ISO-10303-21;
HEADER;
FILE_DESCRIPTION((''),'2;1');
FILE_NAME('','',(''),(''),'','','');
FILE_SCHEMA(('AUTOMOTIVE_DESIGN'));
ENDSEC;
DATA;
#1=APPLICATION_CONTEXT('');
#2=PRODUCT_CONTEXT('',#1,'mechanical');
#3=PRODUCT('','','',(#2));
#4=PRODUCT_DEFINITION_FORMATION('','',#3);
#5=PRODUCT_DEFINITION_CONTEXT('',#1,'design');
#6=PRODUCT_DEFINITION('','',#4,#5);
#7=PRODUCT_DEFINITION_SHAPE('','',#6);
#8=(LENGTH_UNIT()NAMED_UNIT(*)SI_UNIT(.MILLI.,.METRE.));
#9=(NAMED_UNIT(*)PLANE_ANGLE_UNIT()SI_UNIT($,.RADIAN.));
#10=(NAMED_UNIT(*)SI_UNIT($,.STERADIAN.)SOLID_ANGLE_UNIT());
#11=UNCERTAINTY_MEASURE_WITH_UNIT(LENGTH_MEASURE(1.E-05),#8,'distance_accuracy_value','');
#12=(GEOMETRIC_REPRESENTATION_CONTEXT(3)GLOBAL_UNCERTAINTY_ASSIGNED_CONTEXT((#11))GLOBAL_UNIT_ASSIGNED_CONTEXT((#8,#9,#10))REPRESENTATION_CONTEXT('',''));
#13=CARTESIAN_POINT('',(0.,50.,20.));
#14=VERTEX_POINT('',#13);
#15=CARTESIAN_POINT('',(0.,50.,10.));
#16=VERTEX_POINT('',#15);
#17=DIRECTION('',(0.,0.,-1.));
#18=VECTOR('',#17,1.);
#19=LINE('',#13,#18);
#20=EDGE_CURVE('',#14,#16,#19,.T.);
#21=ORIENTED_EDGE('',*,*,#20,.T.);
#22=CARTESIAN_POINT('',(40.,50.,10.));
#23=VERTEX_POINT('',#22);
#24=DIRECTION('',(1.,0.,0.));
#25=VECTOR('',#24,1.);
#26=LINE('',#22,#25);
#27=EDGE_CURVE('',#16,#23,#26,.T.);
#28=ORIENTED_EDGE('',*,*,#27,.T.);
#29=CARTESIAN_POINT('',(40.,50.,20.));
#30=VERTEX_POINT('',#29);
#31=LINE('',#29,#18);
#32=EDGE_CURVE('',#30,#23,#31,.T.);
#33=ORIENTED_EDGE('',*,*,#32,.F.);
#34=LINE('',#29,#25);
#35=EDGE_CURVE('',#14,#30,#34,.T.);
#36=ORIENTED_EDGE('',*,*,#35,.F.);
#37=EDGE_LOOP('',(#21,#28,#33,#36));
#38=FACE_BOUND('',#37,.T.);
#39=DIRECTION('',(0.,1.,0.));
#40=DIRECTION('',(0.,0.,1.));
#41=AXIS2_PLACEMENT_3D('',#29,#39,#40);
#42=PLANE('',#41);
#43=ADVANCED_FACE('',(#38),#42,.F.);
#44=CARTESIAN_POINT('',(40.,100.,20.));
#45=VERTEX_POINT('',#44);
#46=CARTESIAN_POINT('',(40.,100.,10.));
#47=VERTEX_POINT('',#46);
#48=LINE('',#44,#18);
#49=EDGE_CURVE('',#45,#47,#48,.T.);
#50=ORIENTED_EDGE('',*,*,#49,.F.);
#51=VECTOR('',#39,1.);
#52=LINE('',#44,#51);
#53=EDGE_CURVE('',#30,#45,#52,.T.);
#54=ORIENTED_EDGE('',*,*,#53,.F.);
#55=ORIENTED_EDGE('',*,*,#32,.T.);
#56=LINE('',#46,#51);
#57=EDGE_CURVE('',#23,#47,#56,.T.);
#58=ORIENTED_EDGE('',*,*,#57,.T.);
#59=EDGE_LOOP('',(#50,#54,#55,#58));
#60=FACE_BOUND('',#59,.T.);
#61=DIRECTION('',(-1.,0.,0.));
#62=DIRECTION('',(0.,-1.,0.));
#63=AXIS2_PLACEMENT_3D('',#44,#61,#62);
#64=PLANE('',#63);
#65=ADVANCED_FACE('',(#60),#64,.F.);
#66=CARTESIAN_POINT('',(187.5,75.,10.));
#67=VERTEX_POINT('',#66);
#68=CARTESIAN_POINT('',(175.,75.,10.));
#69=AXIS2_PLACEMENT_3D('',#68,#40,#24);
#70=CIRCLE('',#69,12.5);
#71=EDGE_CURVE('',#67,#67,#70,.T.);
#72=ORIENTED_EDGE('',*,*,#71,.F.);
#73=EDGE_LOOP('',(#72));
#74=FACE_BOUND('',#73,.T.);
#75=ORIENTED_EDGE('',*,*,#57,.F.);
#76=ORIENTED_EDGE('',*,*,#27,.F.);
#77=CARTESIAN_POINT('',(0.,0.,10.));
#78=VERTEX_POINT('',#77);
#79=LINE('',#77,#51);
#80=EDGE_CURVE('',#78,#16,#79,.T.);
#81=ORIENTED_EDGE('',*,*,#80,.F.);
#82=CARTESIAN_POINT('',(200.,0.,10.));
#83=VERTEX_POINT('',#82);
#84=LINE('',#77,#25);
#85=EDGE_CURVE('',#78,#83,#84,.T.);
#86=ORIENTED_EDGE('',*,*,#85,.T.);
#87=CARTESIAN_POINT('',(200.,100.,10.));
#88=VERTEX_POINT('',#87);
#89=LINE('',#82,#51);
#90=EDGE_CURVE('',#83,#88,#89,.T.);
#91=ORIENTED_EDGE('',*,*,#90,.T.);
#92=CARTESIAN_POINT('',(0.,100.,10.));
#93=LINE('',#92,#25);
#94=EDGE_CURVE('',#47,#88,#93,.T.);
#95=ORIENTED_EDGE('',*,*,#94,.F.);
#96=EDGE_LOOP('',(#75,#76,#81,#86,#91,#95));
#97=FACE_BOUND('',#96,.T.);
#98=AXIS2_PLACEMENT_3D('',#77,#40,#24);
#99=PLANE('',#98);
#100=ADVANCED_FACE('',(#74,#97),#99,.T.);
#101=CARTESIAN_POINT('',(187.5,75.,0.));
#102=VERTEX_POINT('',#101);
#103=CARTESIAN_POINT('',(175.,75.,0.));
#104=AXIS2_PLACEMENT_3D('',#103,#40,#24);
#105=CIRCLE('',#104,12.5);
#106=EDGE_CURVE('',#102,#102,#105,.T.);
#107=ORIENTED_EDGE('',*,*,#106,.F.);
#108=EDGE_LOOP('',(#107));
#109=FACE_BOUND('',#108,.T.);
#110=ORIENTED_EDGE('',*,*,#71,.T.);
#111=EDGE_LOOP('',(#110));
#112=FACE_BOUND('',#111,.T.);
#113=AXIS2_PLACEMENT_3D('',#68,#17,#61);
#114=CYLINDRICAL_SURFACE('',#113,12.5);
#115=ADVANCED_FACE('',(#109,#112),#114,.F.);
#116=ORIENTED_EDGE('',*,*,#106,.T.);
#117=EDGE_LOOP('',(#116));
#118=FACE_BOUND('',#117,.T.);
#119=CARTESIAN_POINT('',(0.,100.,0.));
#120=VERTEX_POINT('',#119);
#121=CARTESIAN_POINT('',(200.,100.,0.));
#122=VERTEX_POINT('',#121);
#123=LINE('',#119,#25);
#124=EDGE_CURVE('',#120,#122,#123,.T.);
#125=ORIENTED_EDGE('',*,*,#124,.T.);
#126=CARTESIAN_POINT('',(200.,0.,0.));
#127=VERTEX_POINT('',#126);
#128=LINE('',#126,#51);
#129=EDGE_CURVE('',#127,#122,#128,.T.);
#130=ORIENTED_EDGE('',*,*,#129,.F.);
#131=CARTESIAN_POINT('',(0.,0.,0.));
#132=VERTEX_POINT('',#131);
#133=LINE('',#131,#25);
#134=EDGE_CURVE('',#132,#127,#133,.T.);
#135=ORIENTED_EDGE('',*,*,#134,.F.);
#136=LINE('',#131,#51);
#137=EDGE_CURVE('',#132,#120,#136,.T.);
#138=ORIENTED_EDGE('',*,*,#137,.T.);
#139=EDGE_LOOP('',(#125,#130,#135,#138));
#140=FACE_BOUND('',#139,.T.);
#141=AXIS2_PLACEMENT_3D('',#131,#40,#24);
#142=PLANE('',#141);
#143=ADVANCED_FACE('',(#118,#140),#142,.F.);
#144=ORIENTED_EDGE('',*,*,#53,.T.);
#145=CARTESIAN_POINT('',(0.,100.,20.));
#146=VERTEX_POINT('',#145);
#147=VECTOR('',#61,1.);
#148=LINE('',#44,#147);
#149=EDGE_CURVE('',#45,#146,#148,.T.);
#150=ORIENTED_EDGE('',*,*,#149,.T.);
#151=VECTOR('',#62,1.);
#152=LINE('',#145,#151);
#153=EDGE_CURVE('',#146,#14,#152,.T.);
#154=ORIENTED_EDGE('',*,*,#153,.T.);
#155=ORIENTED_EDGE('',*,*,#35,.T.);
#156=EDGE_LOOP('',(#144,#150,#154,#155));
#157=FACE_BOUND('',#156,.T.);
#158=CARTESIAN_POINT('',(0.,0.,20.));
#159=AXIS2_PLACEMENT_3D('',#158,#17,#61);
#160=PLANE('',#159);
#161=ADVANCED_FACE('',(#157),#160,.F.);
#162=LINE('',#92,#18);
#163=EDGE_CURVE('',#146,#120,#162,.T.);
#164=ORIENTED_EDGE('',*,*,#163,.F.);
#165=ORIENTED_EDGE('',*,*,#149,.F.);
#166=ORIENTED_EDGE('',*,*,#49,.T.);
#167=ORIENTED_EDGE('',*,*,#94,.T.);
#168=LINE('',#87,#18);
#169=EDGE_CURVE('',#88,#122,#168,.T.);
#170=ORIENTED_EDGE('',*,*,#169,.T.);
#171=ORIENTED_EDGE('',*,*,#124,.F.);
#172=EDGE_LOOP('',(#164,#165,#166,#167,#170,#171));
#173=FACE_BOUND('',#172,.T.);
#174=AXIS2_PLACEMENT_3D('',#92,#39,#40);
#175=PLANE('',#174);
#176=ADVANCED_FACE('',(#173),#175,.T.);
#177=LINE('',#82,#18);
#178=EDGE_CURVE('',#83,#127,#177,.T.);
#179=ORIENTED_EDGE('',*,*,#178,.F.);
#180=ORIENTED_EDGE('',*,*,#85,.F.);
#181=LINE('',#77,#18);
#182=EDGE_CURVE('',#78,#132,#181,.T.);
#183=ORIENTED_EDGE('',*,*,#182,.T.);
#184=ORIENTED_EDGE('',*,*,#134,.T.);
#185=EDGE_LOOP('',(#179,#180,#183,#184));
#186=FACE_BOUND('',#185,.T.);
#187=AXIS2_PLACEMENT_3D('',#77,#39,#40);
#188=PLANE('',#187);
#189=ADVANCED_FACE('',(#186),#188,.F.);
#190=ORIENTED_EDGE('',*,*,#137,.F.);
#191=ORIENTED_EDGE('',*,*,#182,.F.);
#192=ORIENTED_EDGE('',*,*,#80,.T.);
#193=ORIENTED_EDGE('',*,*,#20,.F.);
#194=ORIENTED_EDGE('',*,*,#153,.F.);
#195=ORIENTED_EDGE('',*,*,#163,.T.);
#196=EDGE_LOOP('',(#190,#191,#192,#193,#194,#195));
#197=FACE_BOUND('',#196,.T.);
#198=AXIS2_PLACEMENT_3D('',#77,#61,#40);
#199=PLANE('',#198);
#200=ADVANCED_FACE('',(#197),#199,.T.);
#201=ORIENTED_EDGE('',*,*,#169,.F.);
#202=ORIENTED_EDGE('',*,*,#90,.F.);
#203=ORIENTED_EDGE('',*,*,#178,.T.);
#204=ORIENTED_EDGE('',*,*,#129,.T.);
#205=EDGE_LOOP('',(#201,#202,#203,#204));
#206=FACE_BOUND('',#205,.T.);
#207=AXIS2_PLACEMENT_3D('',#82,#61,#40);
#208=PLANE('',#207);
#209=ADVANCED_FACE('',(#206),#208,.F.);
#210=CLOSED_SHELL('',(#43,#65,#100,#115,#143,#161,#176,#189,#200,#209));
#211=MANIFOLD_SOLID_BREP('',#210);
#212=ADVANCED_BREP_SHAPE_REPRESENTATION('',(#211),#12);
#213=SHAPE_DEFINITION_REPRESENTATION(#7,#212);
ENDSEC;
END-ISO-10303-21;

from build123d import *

# Parameters (mm, degrees)
CROQUIS2_W              = 200
CROQUIS2_H              = 100
CROQUIS2_R              = 12.5
SALIENTE_EXTRUIR5_DEPTH = 10
CROQUIS11_W             = 40
CROQUIS11_H             = 50
SALIENTE_EXTRUIR6_DEPTH = 10


with BuildPart() as part:
    # Croquis2 → Saliente-Extruir5 (new body)
    with BuildSketch(Plane.XY):
        with Locations((100, 50)):
            Rectangle(CROQUIS2_W, CROQUIS2_H)
        with Locations((175, 75)):
            Circle(CROQUIS2_R, mode=Mode.SUBTRACT)
    extrude(amount=SALIENTE_EXTRUIR5_DEPTH)

    # Croquis11 → Saliente-Extruir6 (add)
    with BuildSketch(Plane.XY.offset(10)):
        with Locations((20, 75)):
            Rectangle(CROQUIS11_W, CROQUIS11_H)
    extrude(amount=SALIENTE_EXTRUIR6_DEPTH)


solid = part.part
